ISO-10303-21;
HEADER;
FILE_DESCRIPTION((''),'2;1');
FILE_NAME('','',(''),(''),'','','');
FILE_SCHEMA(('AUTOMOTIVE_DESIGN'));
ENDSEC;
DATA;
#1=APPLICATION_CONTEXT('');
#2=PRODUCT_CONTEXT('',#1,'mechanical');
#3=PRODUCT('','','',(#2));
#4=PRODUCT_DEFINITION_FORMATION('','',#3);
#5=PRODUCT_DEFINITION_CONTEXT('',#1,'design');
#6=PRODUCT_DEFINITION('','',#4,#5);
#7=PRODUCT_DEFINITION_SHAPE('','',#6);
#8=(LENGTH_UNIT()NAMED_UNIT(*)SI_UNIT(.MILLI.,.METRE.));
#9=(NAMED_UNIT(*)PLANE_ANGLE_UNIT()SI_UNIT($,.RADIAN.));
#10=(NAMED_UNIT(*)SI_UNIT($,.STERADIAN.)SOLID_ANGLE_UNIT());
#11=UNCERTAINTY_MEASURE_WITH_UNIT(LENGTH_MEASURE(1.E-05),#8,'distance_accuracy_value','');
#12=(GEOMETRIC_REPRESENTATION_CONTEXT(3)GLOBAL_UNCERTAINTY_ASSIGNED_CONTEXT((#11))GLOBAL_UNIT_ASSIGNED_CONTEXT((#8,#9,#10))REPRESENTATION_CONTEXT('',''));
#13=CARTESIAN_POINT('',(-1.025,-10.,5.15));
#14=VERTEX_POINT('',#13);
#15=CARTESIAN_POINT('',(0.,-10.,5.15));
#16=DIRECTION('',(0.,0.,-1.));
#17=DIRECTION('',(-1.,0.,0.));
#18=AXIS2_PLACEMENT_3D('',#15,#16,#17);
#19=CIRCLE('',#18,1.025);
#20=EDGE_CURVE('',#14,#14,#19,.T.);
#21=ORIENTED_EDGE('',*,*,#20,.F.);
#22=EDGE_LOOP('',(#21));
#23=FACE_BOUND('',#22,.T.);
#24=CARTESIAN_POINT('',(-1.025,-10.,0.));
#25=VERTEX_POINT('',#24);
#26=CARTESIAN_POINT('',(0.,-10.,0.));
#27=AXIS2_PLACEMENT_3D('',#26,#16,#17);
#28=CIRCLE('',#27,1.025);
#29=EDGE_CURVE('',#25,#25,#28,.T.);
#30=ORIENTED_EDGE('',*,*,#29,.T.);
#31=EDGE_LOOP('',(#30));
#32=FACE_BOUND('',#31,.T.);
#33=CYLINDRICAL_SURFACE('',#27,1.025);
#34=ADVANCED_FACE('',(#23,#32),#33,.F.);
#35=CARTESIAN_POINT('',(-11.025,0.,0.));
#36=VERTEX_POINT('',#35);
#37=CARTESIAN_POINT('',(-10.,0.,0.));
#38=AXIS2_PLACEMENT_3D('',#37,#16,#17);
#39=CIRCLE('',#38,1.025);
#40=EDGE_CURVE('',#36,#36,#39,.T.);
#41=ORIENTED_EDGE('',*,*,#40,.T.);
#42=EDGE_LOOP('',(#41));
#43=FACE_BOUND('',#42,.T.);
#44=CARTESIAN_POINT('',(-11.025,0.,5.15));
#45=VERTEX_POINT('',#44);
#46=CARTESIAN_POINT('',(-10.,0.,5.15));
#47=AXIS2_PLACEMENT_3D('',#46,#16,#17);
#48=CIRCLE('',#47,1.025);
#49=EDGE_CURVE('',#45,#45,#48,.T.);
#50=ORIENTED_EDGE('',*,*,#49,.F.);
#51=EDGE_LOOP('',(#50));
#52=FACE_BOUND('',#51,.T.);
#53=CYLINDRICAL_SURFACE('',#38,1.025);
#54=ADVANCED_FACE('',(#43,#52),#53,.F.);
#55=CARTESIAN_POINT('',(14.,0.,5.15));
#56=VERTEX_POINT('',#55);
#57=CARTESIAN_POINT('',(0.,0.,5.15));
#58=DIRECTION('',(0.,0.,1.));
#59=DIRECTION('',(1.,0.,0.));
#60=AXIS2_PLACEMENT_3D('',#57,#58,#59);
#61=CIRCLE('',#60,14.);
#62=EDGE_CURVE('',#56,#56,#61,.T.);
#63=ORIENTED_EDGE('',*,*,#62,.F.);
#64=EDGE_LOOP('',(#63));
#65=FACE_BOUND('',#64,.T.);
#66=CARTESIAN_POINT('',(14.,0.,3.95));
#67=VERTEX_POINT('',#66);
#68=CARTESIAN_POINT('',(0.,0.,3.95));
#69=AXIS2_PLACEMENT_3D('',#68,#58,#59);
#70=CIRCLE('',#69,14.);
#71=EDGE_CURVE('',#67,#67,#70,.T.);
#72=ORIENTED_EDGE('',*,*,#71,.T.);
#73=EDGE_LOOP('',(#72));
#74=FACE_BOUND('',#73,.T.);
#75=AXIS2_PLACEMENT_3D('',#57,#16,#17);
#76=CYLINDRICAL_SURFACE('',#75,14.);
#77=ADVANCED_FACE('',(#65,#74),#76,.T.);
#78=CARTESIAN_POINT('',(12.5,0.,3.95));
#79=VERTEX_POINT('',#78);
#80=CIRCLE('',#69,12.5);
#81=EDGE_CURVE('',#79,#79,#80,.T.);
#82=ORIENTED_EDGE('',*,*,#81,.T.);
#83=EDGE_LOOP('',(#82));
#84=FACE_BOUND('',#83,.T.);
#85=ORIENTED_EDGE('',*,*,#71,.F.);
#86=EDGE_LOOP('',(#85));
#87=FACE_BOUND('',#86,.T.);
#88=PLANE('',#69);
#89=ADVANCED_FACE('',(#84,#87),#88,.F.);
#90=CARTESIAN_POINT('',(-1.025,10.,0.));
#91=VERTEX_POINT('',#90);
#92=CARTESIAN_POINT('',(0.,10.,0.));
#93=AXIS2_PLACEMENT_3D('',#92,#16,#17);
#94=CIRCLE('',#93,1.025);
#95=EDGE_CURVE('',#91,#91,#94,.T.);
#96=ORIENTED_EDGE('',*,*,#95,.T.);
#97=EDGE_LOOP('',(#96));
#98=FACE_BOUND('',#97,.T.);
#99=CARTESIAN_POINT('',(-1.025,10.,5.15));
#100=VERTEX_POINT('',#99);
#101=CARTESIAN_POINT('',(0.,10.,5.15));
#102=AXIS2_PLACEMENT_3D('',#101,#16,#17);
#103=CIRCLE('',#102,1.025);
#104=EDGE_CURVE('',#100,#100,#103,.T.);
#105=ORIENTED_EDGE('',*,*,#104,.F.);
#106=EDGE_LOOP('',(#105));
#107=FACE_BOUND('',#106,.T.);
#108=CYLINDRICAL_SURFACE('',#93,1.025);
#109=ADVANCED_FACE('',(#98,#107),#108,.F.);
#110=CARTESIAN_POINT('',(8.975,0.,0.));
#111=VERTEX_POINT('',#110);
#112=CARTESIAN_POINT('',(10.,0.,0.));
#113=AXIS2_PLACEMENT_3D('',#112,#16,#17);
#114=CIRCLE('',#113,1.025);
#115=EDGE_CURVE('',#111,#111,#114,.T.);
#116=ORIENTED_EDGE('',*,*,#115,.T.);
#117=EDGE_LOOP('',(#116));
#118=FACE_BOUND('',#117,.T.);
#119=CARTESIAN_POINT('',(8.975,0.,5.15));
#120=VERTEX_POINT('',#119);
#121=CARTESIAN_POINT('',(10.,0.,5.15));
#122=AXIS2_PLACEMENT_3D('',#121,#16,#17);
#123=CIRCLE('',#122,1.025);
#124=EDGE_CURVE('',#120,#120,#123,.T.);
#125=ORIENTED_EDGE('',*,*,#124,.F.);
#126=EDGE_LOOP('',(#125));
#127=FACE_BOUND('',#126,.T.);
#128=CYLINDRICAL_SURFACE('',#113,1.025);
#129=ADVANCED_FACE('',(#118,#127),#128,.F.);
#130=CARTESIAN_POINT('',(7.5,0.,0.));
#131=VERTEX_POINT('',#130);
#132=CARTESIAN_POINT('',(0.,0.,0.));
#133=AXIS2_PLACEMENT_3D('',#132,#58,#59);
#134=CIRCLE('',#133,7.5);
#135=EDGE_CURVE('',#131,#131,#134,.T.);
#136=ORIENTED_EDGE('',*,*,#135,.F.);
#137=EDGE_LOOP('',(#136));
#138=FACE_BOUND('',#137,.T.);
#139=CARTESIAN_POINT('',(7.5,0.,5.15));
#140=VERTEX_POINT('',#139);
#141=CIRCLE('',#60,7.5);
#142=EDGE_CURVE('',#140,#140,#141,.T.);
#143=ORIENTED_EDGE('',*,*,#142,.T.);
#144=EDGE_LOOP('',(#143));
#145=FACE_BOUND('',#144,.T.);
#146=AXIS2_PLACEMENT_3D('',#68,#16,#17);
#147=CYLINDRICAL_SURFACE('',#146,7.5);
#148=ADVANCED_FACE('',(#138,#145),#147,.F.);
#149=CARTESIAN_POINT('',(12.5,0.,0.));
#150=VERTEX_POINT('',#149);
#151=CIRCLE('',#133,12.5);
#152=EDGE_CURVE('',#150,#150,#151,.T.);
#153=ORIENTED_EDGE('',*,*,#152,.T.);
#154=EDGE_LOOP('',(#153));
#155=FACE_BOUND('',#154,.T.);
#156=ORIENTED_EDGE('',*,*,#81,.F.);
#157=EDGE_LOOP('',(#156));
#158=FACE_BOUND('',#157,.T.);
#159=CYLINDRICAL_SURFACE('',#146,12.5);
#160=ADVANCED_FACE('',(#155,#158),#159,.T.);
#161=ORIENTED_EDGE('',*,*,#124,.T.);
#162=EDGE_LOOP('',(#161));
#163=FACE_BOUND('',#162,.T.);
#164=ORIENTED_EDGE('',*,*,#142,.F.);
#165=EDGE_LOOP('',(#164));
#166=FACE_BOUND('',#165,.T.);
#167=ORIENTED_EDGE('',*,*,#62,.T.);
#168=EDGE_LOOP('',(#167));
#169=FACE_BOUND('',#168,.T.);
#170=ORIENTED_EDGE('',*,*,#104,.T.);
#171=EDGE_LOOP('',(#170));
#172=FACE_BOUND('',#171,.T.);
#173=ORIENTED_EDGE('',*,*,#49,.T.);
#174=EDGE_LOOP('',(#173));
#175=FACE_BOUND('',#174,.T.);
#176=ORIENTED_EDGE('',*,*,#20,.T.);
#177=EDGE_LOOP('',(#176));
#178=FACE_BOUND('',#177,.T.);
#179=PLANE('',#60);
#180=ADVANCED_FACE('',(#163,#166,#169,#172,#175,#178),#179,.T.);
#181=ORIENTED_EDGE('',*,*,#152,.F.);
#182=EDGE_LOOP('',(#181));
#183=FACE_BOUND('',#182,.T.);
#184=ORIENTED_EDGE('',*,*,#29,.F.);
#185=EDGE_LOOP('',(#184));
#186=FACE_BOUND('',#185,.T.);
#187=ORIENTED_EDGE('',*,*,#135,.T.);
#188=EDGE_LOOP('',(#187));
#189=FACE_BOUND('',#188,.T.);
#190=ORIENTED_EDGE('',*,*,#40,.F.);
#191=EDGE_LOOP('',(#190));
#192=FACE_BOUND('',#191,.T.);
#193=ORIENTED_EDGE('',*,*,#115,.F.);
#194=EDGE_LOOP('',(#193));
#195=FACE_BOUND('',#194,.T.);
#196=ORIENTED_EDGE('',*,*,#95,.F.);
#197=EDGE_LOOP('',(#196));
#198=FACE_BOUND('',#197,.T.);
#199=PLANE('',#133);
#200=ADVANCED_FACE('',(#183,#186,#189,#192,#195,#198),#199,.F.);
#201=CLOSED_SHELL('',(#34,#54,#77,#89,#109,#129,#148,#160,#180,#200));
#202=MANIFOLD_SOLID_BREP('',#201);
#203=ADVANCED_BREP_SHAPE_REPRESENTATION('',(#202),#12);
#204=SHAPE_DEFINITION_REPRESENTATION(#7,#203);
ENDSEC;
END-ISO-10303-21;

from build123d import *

# Parameters (mm, degrees)
SKETCH_1_R               = 12.5
SKETCH_1_R_2             = 7.5
EXTRUDE_1_DEPTH          = 3.95
SKETCH_2_R               = 14
SKETCH_2_R_2             = 7.5
EXTRUDE_2_DEPTH          = 1.2
HOLE_WIZARD_M2_5_1_D     = 2.05
PATTERN_CIRCULAR_1_COUNT = 4


with BuildPart() as part:
    # 草图1 → 凸台-拉伸1 (new body)
    with BuildSketch(Plane.XY):
        Circle(SKETCH_1_R)
        Circle(SKETCH_1_R_2, mode=Mode.SUBTRACT)
    extrude(amount=EXTRUDE_1_DEPTH)

    # 草图2 → 凸台-拉伸2 (add)
    with BuildSketch(Plane.XY.offset(3.95)):
        Circle(SKETCH_2_R)
        Circle(SKETCH_2_R_2, mode=Mode.SUBTRACT)
    extrude(amount=EXTRUDE_2_DEPTH)

    # M2.5 螺纹孔1 (through all)
    with Locations(Plane(origin=(0, 0, 0), x_dir=(-1, 0, 0), z_dir=(0, 0, -1))):
        with Locations((0, 10)):
            hole_wizard_m2_5_1 = Hole(HOLE_WIZARD_M2_5_1_D / 2)

    # 阵列(圆周)1: M2.5 螺纹孔1 ×4 about axis
    pattern_circular_1_axis = Axis((0, 0, 0), (0, 0, 1))
    for i in range(1, PATTERN_CIRCULAR_1_COUNT):
        add(hole_wizard_m2_5_1.rotate(pattern_circular_1_axis, i * 360 / PATTERN_CIRCULAR_1_COUNT), mode=Mode.SUBTRACT)


solid = part.part
